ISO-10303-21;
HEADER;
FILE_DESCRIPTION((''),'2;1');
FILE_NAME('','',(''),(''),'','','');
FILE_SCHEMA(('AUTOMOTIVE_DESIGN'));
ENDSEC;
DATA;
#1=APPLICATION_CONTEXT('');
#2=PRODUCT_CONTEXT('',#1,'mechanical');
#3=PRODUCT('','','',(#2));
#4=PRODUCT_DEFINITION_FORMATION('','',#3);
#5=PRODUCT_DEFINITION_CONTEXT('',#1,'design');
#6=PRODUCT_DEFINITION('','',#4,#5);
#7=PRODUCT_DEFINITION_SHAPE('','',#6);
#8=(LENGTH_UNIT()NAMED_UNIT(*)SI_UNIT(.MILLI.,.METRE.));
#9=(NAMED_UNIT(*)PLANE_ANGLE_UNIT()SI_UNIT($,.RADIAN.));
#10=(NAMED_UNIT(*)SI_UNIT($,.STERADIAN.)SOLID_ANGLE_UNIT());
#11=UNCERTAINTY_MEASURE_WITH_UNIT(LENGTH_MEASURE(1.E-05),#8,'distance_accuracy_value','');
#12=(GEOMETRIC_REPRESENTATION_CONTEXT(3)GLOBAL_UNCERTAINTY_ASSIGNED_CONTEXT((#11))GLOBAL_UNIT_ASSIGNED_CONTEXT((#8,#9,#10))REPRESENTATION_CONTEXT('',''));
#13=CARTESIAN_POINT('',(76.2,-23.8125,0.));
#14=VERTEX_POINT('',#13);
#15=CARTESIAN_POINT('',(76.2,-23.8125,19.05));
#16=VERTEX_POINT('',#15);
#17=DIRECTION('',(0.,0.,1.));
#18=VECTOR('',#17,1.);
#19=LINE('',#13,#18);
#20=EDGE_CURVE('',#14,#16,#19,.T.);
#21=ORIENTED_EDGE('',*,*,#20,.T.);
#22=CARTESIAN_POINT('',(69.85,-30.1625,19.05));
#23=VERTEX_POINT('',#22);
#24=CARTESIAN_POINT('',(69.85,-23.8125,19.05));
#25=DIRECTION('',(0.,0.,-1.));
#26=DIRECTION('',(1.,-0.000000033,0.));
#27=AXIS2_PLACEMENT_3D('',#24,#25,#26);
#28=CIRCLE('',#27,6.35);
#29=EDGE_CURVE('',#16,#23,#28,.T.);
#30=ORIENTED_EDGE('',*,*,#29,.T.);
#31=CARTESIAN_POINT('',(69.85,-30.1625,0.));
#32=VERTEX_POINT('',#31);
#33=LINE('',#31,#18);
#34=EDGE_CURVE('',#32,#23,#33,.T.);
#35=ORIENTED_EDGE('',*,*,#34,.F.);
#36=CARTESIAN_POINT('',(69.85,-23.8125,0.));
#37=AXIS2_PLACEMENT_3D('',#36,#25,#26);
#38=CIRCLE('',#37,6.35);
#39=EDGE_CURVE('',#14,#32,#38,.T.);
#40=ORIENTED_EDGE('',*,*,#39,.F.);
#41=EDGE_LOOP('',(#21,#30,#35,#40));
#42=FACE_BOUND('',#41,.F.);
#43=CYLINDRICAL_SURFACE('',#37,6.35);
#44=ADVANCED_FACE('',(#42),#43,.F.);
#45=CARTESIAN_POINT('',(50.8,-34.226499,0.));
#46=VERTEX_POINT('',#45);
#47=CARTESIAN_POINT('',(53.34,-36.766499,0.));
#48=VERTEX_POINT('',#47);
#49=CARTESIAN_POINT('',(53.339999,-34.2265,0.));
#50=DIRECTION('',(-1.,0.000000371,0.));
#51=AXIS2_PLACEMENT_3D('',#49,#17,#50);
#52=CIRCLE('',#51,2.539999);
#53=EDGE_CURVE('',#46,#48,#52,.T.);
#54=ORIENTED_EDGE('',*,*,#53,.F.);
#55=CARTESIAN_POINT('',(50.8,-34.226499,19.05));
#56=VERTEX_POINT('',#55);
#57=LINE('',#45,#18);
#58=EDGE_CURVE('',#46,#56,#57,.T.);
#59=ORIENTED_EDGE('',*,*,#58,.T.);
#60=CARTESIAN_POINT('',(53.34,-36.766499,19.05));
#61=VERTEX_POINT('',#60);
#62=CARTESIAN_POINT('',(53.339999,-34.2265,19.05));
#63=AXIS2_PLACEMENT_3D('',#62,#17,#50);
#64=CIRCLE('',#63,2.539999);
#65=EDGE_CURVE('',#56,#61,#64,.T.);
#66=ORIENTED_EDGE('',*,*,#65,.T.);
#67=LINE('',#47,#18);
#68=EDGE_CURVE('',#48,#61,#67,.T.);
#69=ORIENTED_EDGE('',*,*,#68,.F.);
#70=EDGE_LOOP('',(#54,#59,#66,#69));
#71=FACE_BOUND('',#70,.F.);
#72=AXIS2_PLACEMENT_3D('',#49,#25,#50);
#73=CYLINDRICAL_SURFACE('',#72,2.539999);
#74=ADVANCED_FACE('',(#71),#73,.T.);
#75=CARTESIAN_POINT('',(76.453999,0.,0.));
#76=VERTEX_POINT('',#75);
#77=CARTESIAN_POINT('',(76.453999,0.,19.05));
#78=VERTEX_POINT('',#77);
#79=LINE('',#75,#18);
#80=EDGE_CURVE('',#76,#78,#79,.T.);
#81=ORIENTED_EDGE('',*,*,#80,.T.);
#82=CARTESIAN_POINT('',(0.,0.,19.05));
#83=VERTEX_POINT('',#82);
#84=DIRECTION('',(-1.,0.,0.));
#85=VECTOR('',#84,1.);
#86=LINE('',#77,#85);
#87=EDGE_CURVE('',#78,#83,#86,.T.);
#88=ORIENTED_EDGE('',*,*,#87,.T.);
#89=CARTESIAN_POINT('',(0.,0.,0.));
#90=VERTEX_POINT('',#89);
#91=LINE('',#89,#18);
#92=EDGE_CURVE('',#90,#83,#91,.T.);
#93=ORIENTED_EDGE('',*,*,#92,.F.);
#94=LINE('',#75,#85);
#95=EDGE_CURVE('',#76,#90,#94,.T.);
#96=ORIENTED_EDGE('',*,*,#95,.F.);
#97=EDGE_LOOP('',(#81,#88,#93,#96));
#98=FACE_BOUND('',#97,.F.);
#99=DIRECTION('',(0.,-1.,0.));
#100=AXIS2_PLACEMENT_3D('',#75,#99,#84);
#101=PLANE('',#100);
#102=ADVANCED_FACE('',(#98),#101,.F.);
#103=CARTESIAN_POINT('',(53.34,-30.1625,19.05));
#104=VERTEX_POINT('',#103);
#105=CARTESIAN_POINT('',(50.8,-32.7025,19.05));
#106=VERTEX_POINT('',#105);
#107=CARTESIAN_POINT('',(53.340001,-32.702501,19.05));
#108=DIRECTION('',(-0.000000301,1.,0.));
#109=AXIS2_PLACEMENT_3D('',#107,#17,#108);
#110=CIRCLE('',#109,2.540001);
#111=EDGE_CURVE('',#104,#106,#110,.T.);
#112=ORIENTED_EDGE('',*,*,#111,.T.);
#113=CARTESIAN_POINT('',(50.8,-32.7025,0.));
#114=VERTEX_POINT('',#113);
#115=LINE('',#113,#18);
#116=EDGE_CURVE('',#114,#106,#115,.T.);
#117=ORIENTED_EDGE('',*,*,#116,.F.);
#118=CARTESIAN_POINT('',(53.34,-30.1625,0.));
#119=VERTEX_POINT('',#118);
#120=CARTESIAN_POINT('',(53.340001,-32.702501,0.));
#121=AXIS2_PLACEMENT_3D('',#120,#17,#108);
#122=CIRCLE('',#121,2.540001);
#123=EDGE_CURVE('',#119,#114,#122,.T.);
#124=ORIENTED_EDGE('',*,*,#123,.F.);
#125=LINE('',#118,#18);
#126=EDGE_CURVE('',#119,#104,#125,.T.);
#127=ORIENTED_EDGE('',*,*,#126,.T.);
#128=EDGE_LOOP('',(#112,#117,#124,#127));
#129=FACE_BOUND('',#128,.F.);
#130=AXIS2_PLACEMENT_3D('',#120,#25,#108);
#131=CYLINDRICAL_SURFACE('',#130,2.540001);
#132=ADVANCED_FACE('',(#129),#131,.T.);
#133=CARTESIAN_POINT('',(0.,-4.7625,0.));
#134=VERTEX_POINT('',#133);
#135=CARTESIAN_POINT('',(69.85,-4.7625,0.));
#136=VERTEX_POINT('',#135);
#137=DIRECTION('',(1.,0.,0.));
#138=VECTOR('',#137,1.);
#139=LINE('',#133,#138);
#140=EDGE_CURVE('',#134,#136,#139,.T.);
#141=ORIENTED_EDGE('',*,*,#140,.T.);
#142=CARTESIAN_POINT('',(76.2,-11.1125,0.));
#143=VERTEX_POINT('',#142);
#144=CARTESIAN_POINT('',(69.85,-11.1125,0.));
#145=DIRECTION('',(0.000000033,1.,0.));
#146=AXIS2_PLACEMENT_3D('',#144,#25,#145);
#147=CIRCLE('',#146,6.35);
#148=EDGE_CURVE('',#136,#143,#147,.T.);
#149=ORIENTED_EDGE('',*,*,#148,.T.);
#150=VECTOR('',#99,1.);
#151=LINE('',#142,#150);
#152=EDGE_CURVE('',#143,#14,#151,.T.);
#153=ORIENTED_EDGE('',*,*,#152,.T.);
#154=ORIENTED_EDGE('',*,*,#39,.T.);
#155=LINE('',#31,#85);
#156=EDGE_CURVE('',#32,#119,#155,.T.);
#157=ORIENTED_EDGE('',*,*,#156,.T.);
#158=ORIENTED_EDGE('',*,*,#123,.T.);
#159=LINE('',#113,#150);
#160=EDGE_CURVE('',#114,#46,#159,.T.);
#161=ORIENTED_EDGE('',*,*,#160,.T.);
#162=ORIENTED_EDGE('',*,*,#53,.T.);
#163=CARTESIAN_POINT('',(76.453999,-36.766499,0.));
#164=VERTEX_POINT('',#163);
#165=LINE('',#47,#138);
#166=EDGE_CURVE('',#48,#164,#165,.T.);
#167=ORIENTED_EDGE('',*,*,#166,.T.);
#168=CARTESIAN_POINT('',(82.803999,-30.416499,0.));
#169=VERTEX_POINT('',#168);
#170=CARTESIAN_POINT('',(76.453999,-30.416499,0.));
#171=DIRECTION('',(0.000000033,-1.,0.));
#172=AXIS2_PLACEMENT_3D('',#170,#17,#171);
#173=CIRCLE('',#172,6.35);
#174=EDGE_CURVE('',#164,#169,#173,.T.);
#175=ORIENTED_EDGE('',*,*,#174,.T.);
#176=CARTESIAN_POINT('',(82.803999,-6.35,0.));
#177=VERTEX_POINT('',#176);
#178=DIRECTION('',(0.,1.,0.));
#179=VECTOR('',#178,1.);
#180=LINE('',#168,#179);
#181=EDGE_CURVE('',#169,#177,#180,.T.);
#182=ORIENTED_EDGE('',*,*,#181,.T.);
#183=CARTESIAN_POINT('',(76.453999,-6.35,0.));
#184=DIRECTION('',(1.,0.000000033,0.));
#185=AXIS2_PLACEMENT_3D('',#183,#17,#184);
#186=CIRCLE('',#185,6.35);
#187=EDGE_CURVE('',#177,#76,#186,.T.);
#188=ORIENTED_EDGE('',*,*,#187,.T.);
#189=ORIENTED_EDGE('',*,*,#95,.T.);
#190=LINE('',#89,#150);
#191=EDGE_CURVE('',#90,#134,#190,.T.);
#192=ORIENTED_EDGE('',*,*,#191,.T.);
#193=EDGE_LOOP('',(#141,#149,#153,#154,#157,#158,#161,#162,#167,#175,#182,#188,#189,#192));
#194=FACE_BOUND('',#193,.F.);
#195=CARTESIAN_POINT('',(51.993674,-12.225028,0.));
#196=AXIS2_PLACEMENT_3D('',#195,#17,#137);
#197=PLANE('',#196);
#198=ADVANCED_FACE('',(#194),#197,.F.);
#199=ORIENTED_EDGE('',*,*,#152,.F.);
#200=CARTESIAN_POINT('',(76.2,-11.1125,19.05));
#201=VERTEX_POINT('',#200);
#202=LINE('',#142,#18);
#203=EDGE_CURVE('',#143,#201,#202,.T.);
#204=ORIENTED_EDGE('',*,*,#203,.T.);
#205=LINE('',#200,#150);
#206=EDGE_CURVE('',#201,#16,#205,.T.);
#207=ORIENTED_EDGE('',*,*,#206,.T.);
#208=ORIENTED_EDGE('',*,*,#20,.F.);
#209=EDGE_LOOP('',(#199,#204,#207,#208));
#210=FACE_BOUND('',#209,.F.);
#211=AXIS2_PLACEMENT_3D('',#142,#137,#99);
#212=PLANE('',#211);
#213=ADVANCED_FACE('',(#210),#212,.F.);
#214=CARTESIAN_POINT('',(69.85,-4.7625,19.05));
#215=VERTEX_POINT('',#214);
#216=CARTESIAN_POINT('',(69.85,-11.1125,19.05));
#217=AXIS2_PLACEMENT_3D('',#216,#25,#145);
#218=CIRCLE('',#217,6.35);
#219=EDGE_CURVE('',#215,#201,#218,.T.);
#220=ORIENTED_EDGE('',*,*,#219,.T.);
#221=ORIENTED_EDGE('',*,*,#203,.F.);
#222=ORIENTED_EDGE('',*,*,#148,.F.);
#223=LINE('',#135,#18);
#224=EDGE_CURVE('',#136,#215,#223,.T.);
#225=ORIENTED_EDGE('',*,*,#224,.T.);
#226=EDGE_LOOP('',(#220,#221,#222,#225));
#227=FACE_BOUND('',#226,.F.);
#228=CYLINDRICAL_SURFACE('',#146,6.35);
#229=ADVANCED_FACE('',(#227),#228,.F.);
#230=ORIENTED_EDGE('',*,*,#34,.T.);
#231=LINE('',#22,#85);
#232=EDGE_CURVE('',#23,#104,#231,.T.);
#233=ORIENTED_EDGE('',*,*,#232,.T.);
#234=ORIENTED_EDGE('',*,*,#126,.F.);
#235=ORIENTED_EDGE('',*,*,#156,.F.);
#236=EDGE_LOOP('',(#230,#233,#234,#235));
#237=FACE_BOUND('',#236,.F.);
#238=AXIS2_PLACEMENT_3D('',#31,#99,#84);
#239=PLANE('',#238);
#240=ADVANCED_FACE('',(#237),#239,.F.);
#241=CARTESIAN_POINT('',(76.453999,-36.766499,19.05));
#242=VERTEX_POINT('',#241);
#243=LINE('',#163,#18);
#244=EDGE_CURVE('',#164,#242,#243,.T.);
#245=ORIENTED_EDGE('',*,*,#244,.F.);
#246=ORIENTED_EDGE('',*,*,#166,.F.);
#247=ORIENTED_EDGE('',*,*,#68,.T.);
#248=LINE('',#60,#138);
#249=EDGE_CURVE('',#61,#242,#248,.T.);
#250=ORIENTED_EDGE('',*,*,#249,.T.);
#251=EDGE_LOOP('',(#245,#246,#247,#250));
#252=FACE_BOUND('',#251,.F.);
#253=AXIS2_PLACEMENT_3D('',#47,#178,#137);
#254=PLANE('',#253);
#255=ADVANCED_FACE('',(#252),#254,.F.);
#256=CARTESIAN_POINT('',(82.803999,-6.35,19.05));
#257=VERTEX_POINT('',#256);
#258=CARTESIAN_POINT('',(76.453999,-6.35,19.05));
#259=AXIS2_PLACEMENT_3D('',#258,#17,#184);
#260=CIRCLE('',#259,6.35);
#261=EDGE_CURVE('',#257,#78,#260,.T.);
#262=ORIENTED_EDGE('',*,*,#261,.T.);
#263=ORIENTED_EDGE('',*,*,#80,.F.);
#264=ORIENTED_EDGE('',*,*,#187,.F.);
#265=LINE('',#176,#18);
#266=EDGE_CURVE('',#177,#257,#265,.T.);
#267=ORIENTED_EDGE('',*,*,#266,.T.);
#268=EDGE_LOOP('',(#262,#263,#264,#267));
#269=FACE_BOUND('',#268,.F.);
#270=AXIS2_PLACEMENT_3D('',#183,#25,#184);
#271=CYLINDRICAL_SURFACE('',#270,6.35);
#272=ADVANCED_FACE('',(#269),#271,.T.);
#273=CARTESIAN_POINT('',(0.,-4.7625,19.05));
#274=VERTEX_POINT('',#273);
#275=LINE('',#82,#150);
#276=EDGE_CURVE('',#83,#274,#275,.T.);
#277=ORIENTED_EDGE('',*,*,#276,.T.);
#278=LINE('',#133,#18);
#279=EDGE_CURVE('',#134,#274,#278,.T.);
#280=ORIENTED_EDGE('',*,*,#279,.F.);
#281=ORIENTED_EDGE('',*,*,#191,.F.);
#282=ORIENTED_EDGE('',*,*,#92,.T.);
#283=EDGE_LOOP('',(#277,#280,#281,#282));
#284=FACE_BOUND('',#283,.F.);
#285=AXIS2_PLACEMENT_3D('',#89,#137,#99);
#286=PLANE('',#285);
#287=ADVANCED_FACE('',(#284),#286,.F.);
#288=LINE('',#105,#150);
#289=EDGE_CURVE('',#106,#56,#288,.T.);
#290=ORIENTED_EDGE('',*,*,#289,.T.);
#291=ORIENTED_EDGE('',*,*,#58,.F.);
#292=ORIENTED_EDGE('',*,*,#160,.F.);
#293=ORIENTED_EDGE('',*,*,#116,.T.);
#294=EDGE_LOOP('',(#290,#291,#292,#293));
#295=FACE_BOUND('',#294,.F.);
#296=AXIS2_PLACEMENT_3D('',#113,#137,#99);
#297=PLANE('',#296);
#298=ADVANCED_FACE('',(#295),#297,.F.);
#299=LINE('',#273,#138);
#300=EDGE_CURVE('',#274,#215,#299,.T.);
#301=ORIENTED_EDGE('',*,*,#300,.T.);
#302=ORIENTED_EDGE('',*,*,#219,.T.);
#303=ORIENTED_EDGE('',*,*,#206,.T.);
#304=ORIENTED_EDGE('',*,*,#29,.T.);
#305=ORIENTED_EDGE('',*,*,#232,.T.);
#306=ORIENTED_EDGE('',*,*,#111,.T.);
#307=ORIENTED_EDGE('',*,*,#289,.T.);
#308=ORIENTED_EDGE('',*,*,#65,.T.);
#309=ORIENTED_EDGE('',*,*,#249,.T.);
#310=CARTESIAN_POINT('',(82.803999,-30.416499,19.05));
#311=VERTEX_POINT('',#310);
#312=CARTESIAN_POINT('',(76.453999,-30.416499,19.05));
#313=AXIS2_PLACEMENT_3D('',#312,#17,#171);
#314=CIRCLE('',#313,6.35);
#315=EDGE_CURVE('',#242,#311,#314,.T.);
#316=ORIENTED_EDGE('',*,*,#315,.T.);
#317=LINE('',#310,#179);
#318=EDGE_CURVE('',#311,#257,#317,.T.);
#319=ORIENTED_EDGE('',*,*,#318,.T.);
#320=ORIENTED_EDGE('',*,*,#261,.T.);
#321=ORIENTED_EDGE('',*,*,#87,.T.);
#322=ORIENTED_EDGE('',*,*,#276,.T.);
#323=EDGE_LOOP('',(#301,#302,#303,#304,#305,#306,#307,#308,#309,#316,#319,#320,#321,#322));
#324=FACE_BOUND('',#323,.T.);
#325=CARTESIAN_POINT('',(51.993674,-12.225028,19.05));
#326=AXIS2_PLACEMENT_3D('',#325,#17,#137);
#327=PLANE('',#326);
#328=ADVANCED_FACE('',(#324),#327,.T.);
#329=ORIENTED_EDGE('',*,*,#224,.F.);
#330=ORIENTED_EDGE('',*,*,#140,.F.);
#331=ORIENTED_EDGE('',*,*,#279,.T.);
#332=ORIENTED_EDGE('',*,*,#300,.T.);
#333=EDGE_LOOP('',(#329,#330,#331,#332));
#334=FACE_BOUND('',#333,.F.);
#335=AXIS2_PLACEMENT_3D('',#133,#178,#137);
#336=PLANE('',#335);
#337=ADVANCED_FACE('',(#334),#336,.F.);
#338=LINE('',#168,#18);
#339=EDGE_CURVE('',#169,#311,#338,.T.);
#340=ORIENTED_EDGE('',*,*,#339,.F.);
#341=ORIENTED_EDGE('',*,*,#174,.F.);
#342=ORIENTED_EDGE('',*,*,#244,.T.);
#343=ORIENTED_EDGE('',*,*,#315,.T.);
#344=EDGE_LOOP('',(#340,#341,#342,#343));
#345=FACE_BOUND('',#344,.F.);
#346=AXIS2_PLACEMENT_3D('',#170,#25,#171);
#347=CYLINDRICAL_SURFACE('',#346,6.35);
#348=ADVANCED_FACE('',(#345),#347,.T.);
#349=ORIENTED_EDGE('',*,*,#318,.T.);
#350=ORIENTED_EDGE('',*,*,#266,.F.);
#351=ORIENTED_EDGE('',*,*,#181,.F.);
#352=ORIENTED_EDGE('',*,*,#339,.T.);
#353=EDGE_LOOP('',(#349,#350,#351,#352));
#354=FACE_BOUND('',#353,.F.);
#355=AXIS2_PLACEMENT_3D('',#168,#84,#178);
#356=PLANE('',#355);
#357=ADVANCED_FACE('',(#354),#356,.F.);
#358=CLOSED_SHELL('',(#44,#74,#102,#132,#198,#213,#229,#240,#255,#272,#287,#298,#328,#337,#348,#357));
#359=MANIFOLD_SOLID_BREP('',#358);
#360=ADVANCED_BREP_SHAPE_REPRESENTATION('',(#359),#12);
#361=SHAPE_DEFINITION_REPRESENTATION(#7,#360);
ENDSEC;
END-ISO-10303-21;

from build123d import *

# Parameters (mm, degrees)
F1_DEPTH = 19.05


with BuildPart() as f1:
    # F0 (on Top) → F1 (new body)
    with BuildSketch(Plane.XY):
        with BuildLine():
            Line((76.453999, 0), (0, 0))
            Line((0, 0), (0, -4.7625))
            Line((0, -4.7625), (69.85, -4.7625))
            ThreePointArc((69.85, -4.7625), (74.340128, -6.622372), (76.2, -11.1125))
            Line((76.2, -11.1125), (76.2, -23.8125))
            ThreePointArc((76.2, -23.8125), (74.340128, -28.302628), (69.85, -30.1625))
            Line((69.85, -30.1625), (53.34, -30.1625))
            ThreePointArc((53.34, -30.1625), (51.543949, -30.906449), (50.8, -32.7025))
            Line((50.8, -32.7025), (50.8, -34.226499))
            ThreePointArc((50.8, -34.226499), (51.543949, -36.022551), (53.34, -36.766499))
            Line((53.34, -36.766499), (76.453999, -36.766499))
            ThreePointArc((76.453999, -36.766499), (80.944127, -34.906627), (82.803999, -30.416499))
            Line((82.803999, -30.416499), (82.803999, -6.35))
            ThreePointArc((82.803999, -6.35), (80.944127, -1.859872), (76.453999, 0))
        make_face()
    extrude(amount=F1_DEPTH)


solid = f1.part
